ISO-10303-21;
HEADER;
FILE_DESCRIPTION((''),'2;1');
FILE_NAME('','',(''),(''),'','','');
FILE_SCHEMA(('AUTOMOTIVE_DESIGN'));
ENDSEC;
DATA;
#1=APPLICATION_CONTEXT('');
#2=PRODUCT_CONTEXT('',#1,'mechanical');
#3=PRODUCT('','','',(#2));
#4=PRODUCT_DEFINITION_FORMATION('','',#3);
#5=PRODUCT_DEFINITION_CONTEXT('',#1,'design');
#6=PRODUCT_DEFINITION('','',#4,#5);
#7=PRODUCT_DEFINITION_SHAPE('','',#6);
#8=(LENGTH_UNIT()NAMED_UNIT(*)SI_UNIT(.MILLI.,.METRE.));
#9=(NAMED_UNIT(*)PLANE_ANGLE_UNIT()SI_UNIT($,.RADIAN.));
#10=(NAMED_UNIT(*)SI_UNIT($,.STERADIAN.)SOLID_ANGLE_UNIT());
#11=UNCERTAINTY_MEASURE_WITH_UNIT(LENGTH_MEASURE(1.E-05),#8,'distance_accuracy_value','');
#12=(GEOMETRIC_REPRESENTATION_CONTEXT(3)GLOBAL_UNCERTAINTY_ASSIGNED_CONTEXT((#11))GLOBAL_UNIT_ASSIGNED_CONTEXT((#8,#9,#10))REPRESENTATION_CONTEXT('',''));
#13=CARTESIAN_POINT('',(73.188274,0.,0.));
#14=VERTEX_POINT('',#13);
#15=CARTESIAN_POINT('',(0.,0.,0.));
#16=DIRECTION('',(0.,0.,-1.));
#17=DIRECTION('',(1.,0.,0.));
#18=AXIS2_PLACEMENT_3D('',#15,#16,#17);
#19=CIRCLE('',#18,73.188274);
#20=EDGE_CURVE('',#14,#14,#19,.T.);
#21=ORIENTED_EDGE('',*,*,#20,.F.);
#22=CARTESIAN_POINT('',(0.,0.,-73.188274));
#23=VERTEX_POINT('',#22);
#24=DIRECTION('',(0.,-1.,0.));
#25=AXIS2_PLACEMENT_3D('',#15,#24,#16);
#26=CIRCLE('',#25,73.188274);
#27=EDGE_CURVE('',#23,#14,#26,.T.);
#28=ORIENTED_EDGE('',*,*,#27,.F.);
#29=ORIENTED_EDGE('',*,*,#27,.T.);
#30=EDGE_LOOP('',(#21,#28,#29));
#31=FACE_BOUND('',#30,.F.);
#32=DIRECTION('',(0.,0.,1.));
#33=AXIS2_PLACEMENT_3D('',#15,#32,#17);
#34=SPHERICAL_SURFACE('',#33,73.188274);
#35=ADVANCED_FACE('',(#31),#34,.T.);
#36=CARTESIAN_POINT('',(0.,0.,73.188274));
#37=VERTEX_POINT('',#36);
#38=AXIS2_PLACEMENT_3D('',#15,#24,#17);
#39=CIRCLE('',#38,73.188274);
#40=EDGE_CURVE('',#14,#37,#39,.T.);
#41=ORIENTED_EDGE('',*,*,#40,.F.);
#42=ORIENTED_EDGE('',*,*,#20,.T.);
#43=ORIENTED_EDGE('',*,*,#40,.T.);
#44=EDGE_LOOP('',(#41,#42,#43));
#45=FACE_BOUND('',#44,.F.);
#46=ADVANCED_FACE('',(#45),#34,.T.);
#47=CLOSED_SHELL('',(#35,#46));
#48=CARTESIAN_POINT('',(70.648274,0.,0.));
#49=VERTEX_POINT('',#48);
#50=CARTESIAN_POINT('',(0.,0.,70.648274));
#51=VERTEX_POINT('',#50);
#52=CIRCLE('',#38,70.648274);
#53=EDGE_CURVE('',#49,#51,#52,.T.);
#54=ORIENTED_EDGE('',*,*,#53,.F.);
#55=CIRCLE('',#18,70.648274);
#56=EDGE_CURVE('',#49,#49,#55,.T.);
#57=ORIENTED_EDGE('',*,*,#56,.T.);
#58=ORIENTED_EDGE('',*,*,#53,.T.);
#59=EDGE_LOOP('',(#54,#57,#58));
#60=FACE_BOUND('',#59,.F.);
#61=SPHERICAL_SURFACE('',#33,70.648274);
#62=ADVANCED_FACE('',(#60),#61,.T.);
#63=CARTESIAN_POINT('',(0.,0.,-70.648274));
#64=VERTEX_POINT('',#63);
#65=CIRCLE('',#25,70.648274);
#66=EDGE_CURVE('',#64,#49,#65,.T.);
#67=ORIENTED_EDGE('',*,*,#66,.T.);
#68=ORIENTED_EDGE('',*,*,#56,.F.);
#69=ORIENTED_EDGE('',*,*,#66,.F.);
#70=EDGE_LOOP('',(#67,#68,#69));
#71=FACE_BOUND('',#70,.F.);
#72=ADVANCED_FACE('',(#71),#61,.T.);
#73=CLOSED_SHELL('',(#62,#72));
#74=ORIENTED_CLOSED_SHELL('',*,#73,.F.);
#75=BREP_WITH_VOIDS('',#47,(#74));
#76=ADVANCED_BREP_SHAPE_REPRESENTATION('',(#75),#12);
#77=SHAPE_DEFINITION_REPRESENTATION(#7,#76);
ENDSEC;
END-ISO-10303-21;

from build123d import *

# Parameters (mm, degrees)
F2_T = -2.54


with BuildPart() as f1:
    # F0 (on Front) → F1 (revolve)
    with BuildSketch(Plane.XZ):
        with BuildLine():
            ThreePointArc((0, -73.1882743052), (51.7519250646, -51.7519250646), (73.1882743052, 0))
            ThreePointArc((73.1882743052, 0), (51.7519250646, 51.7519250646), (0, 73.1882743052))
            Line((0, 73.1882743052), (0, -73.1882743052))
        make_face()
    revolve(axis=Axis((0, 0, 0), (0, 0, -1)))

    # F2 (hollow: no face is removed)
    offset(amount=F2_T, mode=Mode.SUBTRACT)


solid = f1.part
